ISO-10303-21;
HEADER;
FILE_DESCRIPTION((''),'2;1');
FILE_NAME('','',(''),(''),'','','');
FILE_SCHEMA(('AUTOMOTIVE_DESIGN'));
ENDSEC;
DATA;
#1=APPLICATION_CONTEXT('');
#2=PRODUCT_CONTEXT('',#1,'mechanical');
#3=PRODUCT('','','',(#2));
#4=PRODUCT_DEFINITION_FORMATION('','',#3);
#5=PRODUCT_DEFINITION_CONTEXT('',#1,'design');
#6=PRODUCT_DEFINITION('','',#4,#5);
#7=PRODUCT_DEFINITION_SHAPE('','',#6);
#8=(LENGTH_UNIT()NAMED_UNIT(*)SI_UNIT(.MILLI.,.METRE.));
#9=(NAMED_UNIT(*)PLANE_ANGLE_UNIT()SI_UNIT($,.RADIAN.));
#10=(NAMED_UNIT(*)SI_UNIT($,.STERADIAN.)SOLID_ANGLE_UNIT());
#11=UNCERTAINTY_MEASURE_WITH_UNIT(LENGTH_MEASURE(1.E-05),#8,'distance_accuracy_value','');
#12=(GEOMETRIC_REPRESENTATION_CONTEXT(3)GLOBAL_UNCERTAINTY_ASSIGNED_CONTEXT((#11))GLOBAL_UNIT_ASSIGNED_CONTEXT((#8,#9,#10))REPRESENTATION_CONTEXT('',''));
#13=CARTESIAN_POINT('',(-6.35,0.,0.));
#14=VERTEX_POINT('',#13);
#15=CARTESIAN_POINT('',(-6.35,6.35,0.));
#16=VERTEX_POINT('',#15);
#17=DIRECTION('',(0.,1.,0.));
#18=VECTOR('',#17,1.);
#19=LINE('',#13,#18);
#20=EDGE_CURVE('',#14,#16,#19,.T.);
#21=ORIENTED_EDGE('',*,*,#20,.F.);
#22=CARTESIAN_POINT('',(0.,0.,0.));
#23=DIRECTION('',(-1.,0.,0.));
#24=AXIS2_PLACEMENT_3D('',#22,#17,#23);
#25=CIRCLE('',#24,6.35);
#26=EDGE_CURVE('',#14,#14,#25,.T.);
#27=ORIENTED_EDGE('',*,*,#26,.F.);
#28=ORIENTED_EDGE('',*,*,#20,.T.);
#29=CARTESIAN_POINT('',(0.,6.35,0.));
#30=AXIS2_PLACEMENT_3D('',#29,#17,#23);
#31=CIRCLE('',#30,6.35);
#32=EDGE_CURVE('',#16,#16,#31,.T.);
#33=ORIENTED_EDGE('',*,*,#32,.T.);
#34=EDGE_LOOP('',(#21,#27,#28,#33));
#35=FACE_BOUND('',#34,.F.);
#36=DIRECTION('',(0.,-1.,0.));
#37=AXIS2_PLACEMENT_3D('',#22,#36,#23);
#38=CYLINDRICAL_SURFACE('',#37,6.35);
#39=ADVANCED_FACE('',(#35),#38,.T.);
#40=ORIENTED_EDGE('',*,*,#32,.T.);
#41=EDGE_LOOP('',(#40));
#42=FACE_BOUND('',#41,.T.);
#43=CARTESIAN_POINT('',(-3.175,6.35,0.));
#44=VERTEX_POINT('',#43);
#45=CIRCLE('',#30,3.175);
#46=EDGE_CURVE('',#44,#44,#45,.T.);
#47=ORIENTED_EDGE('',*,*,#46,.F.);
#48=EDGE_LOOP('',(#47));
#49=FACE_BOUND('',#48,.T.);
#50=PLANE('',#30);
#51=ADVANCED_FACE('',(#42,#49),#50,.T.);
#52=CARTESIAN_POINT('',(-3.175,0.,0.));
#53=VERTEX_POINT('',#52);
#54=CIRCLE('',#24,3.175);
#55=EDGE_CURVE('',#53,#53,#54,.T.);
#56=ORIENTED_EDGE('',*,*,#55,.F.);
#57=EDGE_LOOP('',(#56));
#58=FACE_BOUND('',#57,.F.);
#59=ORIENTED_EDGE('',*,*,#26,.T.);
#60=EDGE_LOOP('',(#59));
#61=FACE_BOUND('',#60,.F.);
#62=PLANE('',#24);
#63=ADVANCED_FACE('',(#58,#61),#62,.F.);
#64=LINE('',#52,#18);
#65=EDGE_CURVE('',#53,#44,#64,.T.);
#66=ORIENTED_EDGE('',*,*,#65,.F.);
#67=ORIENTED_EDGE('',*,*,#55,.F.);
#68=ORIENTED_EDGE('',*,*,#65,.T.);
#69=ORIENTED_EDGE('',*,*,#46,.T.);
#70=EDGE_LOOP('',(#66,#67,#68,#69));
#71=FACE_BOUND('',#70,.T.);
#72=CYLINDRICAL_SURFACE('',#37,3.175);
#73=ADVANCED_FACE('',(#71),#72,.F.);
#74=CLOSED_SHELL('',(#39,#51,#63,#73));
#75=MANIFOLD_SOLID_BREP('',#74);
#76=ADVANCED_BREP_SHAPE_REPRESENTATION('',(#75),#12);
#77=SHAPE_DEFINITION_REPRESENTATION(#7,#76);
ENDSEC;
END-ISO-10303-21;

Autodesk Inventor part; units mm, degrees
ref_plane "YZ Plane" through (0, 0, 0) normal (1, 0, 0) x (0, 1, 0)
ref_plane "XZ Plane" through (0, 0, 0) normal (0, 1, 0) x (-1, 0, 0)
ref_plane "XY Plane" through (0, 0, 0) normal (0, 0, 1) x (1, 0, 0)
sketch "Sketch1" plane through (0, 0, 0) normal (0, 1, 0) x (-1, 0, 0)
  circle A0 centre (0, 0) radius 3.175
  circle A1 centre (0, 0) radius 6.35
  dimension "d0" = 6.35
  dimension "d1" = 12.7
extrude "Extrusion1" add sketch "Sketch1" along normal blind 6.35
properties part number "2AM-17-P-5206 - supports spacer 215"
